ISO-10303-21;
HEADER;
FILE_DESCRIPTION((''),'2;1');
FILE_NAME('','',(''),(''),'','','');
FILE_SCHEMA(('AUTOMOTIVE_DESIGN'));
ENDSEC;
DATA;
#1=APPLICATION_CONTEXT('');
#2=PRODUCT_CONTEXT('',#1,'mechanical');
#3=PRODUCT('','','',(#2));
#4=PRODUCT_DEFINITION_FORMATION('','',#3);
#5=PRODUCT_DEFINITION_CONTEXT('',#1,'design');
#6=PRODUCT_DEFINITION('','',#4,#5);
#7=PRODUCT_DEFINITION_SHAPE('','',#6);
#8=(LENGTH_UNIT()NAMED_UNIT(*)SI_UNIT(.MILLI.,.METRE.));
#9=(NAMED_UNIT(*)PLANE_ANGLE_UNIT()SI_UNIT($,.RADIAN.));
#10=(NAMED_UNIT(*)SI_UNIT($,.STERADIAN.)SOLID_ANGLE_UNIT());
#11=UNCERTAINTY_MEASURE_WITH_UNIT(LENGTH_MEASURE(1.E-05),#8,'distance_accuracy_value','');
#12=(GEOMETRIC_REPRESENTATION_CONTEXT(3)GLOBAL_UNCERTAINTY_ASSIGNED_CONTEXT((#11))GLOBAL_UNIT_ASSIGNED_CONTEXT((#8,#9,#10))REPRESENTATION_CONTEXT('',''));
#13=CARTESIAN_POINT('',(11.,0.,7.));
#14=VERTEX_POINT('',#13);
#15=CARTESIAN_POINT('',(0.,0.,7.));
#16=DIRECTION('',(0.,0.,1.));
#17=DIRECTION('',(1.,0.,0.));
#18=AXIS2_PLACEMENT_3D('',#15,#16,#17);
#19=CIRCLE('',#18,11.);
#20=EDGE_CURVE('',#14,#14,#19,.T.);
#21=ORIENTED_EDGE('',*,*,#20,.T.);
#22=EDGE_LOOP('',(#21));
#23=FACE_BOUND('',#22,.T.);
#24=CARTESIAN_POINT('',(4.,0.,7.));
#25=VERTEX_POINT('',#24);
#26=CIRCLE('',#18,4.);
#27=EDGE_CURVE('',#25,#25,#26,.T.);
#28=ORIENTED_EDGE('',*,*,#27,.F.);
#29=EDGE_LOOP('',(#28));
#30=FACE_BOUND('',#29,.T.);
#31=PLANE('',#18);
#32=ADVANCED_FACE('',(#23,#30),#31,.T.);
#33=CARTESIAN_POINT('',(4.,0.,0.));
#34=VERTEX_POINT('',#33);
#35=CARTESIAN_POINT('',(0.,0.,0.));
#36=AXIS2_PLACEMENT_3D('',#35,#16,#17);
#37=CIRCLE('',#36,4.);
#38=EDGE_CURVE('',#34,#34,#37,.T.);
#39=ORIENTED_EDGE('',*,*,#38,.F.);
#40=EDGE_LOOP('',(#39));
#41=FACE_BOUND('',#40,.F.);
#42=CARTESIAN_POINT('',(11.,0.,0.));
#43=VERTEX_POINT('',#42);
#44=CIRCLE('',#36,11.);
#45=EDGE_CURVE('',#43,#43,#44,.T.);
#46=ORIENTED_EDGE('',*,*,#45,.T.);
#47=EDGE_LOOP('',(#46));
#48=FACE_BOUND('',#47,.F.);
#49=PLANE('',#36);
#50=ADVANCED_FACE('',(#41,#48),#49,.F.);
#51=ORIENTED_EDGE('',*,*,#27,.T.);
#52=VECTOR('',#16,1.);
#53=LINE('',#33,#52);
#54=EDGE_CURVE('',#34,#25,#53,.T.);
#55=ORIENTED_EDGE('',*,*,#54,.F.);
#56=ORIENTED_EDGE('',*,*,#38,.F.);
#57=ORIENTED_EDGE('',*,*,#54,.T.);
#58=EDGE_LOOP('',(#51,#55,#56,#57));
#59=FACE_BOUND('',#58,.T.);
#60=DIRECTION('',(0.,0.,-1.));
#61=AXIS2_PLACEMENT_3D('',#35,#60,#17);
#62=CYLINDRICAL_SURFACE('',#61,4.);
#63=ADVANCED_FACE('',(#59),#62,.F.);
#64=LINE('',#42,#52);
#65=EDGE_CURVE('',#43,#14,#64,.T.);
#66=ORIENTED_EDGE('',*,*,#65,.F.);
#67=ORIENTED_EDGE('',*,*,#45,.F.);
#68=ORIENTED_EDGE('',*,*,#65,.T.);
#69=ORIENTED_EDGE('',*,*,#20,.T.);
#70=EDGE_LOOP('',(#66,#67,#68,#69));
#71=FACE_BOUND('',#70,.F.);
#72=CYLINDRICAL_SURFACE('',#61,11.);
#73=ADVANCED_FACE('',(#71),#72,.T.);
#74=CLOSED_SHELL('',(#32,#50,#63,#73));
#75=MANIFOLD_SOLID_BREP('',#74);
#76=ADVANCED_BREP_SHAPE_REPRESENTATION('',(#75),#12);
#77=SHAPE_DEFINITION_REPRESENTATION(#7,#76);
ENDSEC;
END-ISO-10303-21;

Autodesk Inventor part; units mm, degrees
ref_plane "YZ Plane" through (0, 0, 0) normal (1, 0, 0) x (0, 1, 0)
ref_plane "XZ Plane" through (0, 0, 0) normal (0, 1, 0) x (-1, 0, 0)
ref_plane "XY Plane" through (0, 0, 0) normal (0, 0, 1) x (1, 0, 0)
sketch "Sketch1" plane through (0, 0, 0) normal (0, 0, 1) x (1, 0, 0)
  circle A0 centre (0, 0) radius 11
  circle A1 centre (0, 0) radius 4
  dimension "d0" = 8
  dimension "d2" = 22
extrude "Extrusion1" add sketch "Sketch1" along normal blind 7
properties part number "608 bearing"
